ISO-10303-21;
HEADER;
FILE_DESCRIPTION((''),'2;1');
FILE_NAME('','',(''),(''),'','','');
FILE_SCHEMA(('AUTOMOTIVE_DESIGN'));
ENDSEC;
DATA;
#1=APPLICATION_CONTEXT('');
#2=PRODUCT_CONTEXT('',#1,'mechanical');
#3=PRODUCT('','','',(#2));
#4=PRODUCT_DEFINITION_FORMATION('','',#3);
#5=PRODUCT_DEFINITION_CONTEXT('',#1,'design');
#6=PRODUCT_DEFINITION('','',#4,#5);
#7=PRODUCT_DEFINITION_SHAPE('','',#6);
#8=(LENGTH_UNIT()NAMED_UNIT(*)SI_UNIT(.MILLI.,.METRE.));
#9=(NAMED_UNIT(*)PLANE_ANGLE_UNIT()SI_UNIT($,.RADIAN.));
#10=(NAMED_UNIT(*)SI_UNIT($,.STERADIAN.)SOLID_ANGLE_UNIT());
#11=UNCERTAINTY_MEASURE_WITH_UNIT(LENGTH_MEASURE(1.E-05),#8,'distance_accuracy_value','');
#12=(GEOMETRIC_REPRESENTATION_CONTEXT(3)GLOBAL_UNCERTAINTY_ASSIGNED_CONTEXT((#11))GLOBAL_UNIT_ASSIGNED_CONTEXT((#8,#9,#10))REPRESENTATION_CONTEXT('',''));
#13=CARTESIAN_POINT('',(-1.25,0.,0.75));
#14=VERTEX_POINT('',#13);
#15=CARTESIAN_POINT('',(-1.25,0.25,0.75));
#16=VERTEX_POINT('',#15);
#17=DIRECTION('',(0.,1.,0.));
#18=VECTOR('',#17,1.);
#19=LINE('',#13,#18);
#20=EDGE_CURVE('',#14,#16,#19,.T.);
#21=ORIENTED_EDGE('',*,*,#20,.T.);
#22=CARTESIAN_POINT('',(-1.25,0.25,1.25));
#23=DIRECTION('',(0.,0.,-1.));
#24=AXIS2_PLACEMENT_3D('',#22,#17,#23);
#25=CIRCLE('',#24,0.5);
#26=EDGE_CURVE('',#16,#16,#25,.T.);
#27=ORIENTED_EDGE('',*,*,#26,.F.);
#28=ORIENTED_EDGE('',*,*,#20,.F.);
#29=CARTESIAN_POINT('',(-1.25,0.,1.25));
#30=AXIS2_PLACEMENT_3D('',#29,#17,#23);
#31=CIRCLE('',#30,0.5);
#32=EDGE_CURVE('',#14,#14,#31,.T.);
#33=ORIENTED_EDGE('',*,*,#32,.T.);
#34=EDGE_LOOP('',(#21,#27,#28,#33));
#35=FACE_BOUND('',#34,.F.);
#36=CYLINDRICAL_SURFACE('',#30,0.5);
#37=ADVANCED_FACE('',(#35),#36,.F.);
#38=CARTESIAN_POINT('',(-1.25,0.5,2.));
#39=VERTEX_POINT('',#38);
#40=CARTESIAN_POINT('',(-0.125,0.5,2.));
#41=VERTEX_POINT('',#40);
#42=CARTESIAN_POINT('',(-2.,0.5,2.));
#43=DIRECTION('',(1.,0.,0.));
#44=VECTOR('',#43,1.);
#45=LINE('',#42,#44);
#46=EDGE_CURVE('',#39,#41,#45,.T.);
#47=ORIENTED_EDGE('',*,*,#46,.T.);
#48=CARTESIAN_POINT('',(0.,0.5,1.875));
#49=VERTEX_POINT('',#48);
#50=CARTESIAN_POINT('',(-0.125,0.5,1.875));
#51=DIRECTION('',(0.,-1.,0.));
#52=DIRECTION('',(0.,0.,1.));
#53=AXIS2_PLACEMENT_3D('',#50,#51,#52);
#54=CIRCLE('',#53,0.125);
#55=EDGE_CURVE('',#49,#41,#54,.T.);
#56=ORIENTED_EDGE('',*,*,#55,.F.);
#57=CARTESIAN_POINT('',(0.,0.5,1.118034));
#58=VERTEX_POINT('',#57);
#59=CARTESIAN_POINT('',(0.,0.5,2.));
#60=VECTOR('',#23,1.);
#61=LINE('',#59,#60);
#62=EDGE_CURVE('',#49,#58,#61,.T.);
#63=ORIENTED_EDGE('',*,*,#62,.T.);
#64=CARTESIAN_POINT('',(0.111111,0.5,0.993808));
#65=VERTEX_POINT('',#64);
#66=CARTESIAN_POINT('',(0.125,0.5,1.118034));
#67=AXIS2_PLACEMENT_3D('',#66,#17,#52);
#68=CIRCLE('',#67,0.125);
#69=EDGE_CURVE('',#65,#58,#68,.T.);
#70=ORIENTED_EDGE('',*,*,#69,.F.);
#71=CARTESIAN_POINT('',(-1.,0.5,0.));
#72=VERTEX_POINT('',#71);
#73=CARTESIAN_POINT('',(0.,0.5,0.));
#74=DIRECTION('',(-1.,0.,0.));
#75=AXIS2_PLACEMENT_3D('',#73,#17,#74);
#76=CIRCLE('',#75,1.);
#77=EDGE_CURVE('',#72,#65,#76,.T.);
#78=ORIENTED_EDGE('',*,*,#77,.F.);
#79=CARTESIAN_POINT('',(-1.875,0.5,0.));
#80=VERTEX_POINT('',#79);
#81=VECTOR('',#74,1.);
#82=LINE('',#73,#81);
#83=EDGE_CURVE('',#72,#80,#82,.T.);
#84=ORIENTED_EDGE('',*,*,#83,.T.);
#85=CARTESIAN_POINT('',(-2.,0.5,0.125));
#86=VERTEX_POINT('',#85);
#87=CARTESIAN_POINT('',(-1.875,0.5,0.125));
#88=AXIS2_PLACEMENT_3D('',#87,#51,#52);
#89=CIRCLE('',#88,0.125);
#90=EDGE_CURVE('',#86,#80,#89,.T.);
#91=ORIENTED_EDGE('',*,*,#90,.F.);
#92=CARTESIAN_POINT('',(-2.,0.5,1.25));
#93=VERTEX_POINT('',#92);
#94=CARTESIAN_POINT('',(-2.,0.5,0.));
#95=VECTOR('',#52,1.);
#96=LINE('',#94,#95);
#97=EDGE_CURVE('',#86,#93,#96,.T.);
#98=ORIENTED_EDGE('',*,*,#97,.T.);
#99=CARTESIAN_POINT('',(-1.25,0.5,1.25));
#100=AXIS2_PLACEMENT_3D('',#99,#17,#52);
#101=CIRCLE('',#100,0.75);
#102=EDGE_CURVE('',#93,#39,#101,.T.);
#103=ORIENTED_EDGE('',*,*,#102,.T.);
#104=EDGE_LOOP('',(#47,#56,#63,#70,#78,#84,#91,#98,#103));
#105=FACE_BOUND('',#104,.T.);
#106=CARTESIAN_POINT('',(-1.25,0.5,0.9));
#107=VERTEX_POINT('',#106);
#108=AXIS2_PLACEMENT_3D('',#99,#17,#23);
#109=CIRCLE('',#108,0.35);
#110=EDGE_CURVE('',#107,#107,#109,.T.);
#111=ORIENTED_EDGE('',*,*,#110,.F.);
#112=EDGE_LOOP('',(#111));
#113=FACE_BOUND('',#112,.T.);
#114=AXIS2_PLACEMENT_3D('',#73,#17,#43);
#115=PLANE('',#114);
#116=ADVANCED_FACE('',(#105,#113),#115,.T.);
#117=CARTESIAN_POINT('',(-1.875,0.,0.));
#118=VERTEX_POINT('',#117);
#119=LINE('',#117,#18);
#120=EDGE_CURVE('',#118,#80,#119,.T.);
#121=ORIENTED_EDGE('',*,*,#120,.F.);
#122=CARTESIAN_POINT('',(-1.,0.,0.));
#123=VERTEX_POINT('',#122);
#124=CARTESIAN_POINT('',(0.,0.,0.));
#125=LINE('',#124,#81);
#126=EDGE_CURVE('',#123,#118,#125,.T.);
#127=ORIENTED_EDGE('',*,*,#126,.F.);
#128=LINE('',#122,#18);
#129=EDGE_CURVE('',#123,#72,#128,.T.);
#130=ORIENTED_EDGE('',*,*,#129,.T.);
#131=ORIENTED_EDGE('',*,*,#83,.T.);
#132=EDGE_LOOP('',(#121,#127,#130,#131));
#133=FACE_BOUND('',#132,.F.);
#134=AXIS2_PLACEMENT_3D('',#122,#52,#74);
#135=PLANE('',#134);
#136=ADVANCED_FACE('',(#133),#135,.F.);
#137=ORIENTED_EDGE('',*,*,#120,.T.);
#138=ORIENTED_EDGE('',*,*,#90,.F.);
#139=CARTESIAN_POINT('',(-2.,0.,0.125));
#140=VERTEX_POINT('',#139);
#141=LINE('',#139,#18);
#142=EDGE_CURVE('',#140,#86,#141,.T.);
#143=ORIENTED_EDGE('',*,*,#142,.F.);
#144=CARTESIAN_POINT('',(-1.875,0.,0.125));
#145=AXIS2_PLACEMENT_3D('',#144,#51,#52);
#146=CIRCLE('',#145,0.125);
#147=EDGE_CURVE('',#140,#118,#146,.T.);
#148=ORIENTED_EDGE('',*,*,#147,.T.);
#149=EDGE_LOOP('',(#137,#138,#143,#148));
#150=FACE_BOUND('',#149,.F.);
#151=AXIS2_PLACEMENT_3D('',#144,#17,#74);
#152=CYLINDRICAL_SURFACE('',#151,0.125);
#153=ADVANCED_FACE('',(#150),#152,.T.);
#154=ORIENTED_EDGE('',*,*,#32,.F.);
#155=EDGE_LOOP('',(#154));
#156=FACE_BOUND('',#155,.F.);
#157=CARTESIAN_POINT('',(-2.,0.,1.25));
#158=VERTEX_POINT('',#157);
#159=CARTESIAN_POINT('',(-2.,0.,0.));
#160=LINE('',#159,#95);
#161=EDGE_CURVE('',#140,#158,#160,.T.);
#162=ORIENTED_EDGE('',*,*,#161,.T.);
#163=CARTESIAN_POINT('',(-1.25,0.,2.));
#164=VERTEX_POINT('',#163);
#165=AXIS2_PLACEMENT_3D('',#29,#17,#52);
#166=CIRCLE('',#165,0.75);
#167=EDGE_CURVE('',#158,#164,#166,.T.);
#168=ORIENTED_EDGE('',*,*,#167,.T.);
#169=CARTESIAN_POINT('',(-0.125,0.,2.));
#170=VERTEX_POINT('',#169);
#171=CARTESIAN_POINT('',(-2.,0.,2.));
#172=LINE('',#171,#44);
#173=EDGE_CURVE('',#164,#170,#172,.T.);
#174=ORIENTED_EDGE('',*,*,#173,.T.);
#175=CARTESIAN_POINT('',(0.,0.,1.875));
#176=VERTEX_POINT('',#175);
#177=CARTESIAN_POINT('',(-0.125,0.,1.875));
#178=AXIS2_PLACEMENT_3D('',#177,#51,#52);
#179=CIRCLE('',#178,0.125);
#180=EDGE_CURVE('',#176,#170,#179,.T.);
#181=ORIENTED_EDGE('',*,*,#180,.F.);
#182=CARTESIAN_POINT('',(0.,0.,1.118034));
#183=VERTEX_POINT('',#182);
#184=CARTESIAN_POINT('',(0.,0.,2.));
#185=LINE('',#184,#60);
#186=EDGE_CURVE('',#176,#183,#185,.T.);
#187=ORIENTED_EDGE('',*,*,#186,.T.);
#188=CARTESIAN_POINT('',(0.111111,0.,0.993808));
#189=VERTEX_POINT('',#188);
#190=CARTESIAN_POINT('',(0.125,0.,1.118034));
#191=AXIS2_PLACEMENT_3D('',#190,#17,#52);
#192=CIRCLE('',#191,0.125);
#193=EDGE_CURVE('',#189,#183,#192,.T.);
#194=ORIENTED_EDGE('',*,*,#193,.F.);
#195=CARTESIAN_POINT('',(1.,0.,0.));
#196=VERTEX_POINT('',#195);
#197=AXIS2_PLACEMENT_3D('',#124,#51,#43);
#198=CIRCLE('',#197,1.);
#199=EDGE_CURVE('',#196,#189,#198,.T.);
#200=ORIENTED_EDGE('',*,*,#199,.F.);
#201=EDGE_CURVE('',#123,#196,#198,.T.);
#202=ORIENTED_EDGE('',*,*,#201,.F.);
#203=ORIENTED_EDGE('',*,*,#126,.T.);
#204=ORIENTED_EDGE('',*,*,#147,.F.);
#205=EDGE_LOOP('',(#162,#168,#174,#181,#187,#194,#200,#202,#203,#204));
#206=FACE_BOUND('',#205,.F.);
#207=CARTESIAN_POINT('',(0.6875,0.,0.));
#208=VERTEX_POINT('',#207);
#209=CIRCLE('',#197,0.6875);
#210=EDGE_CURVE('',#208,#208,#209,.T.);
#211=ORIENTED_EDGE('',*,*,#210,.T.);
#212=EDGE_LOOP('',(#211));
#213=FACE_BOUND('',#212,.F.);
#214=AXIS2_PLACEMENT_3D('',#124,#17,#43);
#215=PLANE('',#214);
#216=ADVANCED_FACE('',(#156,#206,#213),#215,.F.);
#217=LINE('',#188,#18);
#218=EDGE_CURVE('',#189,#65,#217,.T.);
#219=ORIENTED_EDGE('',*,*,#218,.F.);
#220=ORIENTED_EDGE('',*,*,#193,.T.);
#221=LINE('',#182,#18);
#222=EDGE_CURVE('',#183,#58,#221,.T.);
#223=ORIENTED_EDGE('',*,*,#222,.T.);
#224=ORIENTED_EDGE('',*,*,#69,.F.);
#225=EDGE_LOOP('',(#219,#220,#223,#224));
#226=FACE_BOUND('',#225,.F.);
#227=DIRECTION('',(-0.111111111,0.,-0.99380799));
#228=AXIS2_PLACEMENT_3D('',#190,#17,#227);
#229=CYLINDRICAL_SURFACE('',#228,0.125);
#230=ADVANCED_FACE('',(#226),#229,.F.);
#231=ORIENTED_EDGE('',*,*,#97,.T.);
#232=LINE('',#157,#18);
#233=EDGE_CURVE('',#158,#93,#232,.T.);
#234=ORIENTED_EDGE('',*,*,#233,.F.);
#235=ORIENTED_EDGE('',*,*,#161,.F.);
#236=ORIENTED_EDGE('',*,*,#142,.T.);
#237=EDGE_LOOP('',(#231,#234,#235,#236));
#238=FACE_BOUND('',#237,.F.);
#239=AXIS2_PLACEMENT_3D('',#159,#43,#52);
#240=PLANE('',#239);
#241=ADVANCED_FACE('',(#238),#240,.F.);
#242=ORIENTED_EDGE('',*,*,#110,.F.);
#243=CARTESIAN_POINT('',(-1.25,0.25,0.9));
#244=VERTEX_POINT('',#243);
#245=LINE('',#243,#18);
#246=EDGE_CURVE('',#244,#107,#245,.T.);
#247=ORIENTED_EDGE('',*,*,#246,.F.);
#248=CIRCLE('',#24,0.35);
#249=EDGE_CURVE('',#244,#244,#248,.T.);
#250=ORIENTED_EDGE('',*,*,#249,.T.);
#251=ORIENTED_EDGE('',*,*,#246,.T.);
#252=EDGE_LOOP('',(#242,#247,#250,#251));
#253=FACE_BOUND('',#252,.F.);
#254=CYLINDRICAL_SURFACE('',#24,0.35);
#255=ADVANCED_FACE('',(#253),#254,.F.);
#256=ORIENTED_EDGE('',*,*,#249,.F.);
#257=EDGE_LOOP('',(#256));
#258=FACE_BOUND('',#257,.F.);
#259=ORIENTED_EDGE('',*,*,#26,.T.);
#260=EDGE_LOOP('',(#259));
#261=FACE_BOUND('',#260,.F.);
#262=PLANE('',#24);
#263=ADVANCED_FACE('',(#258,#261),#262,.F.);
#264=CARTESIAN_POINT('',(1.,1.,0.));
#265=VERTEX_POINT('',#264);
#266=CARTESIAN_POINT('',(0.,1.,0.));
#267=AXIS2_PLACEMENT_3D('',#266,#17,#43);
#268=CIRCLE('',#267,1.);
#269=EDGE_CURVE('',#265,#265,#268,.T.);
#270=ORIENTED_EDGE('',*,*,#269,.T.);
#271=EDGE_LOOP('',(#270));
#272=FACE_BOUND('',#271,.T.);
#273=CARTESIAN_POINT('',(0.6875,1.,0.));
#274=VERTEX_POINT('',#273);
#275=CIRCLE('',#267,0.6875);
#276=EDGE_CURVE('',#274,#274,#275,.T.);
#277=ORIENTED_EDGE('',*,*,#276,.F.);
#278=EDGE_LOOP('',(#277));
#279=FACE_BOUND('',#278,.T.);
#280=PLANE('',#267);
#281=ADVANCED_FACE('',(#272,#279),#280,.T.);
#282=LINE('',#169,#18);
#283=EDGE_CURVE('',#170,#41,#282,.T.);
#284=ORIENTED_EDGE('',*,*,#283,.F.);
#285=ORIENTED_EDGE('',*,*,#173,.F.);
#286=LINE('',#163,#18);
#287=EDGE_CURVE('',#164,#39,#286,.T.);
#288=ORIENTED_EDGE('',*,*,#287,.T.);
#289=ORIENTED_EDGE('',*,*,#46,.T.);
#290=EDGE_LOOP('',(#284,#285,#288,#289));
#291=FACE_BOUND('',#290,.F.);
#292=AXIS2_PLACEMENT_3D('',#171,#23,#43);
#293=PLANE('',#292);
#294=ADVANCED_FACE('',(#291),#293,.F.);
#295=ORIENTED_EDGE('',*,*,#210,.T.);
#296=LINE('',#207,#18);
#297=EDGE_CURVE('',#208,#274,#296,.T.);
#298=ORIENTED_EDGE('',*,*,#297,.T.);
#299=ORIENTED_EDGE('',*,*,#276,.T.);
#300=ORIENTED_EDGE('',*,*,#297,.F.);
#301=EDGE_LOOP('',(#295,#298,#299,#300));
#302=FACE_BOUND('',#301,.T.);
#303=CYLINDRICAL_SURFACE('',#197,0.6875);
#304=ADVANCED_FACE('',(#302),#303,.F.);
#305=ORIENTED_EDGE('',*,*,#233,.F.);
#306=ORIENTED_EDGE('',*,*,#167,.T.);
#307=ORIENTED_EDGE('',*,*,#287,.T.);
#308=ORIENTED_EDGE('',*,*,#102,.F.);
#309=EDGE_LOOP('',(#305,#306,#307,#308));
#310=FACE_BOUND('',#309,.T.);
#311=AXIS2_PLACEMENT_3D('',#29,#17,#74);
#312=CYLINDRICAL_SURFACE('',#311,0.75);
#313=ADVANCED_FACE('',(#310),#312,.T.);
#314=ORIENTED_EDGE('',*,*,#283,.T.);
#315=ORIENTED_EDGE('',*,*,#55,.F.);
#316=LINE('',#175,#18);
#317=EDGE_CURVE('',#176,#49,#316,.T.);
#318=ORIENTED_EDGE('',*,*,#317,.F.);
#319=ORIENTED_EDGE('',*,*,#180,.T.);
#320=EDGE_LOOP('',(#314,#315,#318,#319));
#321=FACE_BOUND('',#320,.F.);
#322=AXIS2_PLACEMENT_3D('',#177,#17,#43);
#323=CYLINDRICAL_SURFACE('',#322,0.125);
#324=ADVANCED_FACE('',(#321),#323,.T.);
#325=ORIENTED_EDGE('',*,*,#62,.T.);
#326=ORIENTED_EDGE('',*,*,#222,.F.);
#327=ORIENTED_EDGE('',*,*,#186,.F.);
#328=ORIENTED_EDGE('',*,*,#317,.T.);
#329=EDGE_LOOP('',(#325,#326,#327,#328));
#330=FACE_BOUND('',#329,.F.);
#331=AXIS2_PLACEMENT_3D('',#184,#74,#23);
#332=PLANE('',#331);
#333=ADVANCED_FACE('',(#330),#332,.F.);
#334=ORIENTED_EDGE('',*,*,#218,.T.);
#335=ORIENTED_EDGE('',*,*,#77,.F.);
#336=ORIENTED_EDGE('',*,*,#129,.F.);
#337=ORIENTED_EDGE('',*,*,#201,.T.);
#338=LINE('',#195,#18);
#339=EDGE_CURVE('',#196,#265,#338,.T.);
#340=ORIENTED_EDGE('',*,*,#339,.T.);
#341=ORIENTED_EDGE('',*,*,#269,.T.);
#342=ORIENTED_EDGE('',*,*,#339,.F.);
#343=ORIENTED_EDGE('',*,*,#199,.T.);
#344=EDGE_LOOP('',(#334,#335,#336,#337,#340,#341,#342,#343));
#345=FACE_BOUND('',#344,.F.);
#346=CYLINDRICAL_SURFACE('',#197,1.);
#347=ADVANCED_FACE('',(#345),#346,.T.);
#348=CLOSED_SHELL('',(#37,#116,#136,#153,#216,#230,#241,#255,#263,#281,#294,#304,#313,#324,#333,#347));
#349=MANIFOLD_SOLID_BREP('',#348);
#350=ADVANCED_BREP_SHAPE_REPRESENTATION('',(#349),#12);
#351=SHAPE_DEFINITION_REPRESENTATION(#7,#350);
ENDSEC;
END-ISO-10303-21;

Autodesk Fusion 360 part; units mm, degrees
sketch "Sketch1" plane through (0, 0, 0) normal (0, 1, 0) x (1, 0, 0)
  circle A0 centre (0, 0) radius 0.6875
  circle A1 centre (0, 0) radius 1
  line L0 (0, 0) -> (-2, 0)
  line L1 (-2, 0) -> (-2, -2)
  line L2 (-2, -2) -> (0, -2)
  line L3 (0, -2) -> (0, 0)
  point P0 (-1.25, -1.25)
  dimension "d1" = 1.375
  dimension "d2" = 2
  dimension "d3" = 2
  dimension "d4" = 2
  dimension "d5" = 1.25
  dimension "d6" = 1.25
extrude "Extrude1" add sketch "Sketch1" along normal blind 1 contours A0 A1 L0 L3 | A0 A1 L0 L3
extrude "Extrude2" add sketch "Sketch1" along normal blind 0.5 contours A1 L0 L1 L2 L3
hole "Hole1" at (-1.25, 0, 1.25) direction (0, 1, 0) diameter 0.7 end through all counterbore diameter 1 counterbore depth 0.25
fillet "Fillet1" radius 0.125 1 edges at (0, 0.25, 1)
fillet "Fillet2" radius 0.125 1 edges at (0, 0.25, 2)
fillet "Fillet3" radius 0.125 1 edges at (-2, 0.25, 0)
fillet "Fillet4" radius 0.75 1 edges at (-2, 0.25, 2)
